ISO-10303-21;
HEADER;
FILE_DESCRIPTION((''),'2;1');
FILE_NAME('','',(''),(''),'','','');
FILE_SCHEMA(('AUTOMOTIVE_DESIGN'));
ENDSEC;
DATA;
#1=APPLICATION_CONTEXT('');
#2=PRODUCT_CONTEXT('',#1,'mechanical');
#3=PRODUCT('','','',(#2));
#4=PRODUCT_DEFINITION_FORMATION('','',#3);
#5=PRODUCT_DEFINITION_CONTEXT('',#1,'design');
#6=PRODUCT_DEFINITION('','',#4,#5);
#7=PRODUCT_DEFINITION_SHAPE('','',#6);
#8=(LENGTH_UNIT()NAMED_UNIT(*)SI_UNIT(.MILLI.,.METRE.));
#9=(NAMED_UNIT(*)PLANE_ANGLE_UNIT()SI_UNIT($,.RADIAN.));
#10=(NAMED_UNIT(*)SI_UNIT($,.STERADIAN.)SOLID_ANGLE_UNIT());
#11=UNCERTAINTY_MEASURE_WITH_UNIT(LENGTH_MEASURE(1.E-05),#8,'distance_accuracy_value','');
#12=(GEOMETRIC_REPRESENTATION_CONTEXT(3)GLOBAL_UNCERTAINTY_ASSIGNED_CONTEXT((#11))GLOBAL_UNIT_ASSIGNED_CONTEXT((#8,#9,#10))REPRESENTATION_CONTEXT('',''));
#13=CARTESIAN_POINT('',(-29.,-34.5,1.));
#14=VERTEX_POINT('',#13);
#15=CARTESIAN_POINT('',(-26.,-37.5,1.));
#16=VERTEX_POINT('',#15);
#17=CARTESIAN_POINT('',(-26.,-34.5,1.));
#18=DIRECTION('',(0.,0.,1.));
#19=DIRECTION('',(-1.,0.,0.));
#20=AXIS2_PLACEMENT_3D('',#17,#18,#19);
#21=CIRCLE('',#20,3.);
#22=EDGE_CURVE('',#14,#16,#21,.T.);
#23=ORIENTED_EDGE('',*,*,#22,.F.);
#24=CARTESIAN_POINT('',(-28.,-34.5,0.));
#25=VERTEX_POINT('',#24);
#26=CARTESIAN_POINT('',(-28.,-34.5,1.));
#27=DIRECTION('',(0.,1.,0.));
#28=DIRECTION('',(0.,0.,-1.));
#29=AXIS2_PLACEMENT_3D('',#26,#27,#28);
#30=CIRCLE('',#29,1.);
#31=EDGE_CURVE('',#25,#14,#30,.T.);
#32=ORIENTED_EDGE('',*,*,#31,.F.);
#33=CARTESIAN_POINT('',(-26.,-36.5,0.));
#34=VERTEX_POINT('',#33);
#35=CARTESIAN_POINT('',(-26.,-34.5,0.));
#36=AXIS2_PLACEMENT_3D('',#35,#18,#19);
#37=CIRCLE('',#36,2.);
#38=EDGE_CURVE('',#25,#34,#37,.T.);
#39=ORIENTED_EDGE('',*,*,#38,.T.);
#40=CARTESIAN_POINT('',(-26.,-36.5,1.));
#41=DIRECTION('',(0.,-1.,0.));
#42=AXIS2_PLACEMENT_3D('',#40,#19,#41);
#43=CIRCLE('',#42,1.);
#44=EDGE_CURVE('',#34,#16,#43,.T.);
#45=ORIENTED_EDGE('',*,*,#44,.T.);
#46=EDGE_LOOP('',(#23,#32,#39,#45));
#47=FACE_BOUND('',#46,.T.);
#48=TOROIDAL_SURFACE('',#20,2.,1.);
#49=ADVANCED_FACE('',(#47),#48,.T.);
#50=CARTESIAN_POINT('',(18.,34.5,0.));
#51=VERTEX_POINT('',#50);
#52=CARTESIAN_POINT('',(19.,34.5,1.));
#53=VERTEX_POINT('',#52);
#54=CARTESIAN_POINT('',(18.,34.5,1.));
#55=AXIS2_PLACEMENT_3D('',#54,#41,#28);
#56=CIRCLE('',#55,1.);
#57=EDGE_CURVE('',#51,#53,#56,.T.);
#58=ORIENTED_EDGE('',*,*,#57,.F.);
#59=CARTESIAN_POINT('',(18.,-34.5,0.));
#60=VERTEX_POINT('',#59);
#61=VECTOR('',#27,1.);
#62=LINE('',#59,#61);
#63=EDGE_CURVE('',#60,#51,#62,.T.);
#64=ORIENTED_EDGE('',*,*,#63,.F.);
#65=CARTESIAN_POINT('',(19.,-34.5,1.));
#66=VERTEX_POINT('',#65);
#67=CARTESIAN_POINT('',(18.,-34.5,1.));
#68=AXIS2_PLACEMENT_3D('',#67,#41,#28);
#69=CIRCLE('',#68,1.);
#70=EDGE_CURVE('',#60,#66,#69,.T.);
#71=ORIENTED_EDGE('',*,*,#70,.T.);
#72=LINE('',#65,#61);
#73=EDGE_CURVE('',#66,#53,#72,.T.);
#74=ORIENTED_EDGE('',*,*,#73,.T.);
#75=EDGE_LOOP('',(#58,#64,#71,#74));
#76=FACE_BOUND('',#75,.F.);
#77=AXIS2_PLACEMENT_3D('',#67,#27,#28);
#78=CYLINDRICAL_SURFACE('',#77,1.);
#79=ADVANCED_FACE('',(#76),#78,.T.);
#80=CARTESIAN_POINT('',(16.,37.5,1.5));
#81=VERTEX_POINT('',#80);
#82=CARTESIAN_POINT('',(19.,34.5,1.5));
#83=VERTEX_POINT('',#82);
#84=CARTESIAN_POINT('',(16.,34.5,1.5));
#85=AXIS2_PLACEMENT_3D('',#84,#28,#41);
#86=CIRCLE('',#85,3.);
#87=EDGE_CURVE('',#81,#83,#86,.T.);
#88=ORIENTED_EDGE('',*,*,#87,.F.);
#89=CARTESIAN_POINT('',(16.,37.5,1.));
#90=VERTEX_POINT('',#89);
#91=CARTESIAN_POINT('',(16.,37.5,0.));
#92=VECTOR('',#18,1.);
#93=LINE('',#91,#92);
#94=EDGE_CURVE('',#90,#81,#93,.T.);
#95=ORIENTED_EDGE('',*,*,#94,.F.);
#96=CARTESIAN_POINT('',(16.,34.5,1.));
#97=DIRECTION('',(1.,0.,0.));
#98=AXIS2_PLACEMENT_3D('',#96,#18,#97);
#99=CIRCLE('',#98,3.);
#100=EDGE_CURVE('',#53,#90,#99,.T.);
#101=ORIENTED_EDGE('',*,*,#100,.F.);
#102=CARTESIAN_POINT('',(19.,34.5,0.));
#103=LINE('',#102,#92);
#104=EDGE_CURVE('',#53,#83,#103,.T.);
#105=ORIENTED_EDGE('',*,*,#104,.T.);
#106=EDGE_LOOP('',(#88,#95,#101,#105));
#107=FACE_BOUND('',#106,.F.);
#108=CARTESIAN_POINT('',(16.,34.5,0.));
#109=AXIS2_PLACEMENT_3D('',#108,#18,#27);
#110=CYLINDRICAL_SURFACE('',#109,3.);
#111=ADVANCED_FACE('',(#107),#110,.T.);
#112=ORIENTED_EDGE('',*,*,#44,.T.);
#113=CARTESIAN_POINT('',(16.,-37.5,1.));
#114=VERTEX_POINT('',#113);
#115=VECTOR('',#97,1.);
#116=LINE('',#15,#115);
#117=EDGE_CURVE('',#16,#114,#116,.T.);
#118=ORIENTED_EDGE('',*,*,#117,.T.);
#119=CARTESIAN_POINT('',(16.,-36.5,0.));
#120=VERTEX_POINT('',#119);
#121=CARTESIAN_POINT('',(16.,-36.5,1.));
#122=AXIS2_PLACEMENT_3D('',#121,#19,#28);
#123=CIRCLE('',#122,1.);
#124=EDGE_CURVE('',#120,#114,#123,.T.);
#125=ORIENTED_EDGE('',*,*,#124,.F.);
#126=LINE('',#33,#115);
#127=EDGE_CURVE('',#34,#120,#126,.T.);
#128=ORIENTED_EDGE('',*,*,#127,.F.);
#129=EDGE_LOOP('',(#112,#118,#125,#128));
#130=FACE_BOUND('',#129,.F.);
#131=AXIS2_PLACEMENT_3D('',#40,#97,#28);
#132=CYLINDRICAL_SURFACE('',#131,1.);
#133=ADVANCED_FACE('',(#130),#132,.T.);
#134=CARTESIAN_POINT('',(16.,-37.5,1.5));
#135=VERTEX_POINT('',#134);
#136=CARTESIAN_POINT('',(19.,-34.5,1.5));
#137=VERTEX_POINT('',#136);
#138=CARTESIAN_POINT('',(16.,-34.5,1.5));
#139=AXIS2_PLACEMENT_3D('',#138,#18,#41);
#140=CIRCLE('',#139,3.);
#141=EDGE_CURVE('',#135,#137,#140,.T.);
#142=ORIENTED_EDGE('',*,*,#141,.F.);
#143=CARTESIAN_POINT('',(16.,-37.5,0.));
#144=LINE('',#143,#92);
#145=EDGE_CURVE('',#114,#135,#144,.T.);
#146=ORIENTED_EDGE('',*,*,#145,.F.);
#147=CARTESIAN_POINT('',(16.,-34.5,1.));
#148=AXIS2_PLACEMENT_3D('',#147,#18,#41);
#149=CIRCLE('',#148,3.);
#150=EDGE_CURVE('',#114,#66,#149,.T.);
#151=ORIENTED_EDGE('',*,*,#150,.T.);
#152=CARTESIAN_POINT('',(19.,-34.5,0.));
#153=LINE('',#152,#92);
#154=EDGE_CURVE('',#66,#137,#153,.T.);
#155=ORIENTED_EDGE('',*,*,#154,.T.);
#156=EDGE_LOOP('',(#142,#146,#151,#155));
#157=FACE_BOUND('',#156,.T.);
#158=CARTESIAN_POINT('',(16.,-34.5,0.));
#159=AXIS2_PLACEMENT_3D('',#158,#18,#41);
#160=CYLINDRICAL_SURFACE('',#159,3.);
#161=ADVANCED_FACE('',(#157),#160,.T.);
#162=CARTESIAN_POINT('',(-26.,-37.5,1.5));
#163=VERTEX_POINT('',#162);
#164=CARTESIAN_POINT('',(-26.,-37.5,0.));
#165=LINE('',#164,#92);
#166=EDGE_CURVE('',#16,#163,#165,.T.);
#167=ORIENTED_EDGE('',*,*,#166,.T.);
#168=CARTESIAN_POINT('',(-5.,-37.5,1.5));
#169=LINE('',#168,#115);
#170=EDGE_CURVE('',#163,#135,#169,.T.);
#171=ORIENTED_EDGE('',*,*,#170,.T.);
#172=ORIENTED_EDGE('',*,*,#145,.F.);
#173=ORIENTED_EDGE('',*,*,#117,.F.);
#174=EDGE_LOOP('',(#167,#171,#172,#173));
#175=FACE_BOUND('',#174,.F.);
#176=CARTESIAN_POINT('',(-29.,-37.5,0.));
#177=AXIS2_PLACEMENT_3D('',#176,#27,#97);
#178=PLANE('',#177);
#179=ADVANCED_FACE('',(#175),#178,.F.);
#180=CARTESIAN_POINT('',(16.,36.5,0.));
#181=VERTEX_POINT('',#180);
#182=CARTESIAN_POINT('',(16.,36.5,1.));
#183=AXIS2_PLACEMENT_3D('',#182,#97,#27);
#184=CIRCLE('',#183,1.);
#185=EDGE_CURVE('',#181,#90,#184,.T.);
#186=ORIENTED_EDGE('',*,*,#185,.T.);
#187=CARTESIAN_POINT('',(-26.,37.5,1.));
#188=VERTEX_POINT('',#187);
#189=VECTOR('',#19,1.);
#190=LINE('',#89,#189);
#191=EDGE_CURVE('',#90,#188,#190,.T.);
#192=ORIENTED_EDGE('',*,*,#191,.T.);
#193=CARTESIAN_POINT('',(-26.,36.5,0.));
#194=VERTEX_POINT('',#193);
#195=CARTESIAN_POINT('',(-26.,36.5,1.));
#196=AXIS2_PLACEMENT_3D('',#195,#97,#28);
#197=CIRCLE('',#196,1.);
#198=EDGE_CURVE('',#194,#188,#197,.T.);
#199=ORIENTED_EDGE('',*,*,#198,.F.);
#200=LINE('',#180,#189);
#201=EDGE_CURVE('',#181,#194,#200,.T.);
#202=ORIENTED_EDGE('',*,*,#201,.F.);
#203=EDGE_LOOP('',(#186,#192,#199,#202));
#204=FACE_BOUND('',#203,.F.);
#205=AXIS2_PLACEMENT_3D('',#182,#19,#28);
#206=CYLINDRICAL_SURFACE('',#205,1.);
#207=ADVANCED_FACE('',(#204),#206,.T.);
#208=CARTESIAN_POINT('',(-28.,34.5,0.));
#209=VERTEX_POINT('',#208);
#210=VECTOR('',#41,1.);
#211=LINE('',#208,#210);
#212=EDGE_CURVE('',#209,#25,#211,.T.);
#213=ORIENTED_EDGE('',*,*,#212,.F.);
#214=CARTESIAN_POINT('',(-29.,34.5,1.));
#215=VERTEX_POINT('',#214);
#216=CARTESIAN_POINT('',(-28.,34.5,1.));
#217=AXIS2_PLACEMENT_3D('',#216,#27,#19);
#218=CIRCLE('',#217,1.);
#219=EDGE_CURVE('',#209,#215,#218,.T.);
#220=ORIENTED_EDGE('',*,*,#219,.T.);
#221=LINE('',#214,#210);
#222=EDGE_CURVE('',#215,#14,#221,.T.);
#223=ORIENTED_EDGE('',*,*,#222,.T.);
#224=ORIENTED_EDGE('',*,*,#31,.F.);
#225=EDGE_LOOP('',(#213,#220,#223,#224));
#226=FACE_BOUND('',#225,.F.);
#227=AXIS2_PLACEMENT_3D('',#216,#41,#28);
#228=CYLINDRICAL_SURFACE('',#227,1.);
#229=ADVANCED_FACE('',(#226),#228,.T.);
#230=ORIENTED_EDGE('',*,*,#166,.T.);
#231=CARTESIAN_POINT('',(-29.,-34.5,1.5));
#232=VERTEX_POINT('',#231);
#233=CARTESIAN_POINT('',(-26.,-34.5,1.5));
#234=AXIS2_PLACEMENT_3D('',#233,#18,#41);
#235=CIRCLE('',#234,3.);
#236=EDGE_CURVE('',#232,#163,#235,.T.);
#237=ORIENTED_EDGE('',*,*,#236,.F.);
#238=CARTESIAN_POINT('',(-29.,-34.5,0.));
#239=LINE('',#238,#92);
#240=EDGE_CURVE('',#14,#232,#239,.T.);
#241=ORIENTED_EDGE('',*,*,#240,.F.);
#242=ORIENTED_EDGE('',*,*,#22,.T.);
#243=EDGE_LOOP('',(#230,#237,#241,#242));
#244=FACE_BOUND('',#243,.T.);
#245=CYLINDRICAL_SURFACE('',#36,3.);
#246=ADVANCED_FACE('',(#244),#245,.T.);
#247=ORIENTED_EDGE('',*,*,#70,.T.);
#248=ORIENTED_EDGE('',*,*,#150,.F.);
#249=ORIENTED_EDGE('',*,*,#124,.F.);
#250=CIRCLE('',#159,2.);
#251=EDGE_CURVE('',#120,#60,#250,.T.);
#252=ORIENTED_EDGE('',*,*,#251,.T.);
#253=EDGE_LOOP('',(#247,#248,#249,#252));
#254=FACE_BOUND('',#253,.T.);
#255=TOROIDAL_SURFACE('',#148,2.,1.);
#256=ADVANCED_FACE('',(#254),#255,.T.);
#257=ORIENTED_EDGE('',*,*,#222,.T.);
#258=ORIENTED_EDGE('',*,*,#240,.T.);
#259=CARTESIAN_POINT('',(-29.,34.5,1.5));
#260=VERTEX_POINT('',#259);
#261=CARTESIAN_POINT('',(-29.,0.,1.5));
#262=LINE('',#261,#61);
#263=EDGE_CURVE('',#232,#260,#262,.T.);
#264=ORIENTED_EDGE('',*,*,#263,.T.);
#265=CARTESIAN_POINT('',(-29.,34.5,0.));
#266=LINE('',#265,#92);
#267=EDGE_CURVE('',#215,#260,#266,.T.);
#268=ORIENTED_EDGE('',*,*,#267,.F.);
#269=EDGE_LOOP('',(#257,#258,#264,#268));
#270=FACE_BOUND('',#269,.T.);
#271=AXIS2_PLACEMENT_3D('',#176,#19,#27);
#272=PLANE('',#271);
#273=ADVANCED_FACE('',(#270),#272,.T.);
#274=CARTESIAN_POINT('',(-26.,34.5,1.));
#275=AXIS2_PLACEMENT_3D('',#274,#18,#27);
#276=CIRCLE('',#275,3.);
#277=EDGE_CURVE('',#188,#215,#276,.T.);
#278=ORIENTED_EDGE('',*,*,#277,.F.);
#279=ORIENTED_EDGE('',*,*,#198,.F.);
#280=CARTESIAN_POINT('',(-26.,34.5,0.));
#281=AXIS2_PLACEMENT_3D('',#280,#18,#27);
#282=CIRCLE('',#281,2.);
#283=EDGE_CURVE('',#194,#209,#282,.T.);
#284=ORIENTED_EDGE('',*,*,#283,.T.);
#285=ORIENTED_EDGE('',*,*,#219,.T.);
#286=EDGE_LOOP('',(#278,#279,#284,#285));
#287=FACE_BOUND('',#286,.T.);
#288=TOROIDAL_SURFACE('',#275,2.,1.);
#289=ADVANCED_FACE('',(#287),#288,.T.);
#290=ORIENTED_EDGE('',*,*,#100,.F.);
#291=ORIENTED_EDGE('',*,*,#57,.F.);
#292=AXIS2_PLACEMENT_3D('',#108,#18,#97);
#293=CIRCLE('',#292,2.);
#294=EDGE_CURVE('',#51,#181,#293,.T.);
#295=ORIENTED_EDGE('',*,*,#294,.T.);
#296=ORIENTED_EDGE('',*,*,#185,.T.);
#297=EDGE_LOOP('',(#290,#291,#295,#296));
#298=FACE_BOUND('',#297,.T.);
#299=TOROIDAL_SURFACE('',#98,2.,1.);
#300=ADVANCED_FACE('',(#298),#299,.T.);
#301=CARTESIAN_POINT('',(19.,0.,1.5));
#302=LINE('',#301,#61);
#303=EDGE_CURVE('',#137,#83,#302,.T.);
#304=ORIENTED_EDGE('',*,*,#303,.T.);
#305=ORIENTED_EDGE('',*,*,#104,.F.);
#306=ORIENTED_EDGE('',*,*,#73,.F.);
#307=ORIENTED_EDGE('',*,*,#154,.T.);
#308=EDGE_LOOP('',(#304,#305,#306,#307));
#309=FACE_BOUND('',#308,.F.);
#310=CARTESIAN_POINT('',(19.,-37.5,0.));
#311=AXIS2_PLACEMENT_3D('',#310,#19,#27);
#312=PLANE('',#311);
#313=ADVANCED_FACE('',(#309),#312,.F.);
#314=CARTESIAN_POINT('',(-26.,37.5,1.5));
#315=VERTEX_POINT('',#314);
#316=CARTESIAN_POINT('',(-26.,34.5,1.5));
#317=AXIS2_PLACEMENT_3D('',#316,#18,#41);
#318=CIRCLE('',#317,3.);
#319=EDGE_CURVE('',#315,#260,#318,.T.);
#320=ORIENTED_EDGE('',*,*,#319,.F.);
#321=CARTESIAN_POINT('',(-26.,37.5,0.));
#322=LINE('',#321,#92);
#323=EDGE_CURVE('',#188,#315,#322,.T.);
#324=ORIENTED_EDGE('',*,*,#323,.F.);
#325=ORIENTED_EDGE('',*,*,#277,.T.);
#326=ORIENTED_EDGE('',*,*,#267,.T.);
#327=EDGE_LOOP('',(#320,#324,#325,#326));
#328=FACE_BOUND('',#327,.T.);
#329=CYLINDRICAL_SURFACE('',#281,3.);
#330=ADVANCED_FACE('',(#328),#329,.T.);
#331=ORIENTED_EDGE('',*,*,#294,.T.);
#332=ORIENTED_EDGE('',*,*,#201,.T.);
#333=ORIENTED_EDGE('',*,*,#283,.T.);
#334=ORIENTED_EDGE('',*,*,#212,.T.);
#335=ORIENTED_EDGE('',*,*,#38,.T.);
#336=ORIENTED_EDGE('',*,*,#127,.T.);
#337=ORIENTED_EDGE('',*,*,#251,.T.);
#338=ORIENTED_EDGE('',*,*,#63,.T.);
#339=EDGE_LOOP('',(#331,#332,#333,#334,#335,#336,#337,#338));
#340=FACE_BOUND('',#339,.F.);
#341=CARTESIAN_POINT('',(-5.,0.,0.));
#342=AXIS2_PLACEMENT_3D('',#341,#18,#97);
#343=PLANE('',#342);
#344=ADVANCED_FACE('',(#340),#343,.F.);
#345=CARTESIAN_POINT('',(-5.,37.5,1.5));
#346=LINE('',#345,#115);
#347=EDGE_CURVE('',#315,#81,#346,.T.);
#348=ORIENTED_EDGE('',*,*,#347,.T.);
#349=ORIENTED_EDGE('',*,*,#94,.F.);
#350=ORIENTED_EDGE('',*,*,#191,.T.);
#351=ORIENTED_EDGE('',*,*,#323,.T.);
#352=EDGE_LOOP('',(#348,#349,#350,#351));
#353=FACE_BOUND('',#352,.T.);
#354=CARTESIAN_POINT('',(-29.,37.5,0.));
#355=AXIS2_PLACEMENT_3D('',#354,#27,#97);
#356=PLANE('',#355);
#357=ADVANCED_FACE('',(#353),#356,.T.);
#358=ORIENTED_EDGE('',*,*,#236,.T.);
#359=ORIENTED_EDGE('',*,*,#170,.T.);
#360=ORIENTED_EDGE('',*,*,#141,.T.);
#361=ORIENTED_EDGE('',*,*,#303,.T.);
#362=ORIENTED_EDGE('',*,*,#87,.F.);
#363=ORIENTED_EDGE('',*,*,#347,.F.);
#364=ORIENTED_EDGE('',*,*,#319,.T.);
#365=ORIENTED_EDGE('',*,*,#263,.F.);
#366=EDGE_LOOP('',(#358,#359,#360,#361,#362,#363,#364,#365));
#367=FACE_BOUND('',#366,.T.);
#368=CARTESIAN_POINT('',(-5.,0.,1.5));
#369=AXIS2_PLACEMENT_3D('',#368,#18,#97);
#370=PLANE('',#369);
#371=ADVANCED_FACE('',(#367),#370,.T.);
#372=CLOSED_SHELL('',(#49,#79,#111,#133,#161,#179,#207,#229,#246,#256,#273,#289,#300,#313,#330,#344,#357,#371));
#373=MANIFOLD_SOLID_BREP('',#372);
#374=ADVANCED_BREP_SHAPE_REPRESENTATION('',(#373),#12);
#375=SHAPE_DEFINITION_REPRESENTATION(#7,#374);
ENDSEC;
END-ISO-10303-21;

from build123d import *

# Parameters (mm, degrees)
SKETCH_W    = 48
SKETCH_H    = 75
PAD_DEPTH   = 1.5
FILLET006_R = 3
FILLET007_R = 3
FILLET008_R = 3
FILLET009_R = 1


with BuildPart() as part:
    # Sketch → Pad (new body)
    with BuildSketch(Plane.XY):
        with Locations((-5, 0)):
            Rectangle(SKETCH_W, SKETCH_H)
    extrude(amount=PAD_DEPTH)

    # Fillet006
    fillet006_edges = [part.edges().sort_by_distance(p)[0] for p in [
        (-29, -37.5, 0.75),
    ]]
    fillet(fillet006_edges, radius=FILLET006_R)

    # Fillet007
    fillet007_edges = [part.edges().sort_by_distance(p)[0] for p in [
        (19, -37.5, 0.75),
        (19, 37.5, 0.75),
    ]]
    fillet(fillet007_edges, radius=FILLET007_R)

    # Fillet008
    fillet008_edges = [part.edges().sort_by_distance(p)[0] for p in [
        (-29, 37.5, 0.75),
    ]]
    fillet(fillet008_edges, radius=FILLET008_R)

    # Fillet009
    fillet009_edges = [part.edges().sort_by_distance(p)[0] for p in [
        (19, 0, 0),
        (18.12132, -36.62132, 0),
        (-5, -37.5, 0),
        (-28.12132, -36.62132, 0),
        (-29, 0, 0),
        (-28.12132, 36.62132, 0),
        (-5, 37.5, 0),
        (18.12132, 36.62132, 0),
    ]]
    fillet(fillet009_edges, radius=FILLET009_R)


solid = part.part
